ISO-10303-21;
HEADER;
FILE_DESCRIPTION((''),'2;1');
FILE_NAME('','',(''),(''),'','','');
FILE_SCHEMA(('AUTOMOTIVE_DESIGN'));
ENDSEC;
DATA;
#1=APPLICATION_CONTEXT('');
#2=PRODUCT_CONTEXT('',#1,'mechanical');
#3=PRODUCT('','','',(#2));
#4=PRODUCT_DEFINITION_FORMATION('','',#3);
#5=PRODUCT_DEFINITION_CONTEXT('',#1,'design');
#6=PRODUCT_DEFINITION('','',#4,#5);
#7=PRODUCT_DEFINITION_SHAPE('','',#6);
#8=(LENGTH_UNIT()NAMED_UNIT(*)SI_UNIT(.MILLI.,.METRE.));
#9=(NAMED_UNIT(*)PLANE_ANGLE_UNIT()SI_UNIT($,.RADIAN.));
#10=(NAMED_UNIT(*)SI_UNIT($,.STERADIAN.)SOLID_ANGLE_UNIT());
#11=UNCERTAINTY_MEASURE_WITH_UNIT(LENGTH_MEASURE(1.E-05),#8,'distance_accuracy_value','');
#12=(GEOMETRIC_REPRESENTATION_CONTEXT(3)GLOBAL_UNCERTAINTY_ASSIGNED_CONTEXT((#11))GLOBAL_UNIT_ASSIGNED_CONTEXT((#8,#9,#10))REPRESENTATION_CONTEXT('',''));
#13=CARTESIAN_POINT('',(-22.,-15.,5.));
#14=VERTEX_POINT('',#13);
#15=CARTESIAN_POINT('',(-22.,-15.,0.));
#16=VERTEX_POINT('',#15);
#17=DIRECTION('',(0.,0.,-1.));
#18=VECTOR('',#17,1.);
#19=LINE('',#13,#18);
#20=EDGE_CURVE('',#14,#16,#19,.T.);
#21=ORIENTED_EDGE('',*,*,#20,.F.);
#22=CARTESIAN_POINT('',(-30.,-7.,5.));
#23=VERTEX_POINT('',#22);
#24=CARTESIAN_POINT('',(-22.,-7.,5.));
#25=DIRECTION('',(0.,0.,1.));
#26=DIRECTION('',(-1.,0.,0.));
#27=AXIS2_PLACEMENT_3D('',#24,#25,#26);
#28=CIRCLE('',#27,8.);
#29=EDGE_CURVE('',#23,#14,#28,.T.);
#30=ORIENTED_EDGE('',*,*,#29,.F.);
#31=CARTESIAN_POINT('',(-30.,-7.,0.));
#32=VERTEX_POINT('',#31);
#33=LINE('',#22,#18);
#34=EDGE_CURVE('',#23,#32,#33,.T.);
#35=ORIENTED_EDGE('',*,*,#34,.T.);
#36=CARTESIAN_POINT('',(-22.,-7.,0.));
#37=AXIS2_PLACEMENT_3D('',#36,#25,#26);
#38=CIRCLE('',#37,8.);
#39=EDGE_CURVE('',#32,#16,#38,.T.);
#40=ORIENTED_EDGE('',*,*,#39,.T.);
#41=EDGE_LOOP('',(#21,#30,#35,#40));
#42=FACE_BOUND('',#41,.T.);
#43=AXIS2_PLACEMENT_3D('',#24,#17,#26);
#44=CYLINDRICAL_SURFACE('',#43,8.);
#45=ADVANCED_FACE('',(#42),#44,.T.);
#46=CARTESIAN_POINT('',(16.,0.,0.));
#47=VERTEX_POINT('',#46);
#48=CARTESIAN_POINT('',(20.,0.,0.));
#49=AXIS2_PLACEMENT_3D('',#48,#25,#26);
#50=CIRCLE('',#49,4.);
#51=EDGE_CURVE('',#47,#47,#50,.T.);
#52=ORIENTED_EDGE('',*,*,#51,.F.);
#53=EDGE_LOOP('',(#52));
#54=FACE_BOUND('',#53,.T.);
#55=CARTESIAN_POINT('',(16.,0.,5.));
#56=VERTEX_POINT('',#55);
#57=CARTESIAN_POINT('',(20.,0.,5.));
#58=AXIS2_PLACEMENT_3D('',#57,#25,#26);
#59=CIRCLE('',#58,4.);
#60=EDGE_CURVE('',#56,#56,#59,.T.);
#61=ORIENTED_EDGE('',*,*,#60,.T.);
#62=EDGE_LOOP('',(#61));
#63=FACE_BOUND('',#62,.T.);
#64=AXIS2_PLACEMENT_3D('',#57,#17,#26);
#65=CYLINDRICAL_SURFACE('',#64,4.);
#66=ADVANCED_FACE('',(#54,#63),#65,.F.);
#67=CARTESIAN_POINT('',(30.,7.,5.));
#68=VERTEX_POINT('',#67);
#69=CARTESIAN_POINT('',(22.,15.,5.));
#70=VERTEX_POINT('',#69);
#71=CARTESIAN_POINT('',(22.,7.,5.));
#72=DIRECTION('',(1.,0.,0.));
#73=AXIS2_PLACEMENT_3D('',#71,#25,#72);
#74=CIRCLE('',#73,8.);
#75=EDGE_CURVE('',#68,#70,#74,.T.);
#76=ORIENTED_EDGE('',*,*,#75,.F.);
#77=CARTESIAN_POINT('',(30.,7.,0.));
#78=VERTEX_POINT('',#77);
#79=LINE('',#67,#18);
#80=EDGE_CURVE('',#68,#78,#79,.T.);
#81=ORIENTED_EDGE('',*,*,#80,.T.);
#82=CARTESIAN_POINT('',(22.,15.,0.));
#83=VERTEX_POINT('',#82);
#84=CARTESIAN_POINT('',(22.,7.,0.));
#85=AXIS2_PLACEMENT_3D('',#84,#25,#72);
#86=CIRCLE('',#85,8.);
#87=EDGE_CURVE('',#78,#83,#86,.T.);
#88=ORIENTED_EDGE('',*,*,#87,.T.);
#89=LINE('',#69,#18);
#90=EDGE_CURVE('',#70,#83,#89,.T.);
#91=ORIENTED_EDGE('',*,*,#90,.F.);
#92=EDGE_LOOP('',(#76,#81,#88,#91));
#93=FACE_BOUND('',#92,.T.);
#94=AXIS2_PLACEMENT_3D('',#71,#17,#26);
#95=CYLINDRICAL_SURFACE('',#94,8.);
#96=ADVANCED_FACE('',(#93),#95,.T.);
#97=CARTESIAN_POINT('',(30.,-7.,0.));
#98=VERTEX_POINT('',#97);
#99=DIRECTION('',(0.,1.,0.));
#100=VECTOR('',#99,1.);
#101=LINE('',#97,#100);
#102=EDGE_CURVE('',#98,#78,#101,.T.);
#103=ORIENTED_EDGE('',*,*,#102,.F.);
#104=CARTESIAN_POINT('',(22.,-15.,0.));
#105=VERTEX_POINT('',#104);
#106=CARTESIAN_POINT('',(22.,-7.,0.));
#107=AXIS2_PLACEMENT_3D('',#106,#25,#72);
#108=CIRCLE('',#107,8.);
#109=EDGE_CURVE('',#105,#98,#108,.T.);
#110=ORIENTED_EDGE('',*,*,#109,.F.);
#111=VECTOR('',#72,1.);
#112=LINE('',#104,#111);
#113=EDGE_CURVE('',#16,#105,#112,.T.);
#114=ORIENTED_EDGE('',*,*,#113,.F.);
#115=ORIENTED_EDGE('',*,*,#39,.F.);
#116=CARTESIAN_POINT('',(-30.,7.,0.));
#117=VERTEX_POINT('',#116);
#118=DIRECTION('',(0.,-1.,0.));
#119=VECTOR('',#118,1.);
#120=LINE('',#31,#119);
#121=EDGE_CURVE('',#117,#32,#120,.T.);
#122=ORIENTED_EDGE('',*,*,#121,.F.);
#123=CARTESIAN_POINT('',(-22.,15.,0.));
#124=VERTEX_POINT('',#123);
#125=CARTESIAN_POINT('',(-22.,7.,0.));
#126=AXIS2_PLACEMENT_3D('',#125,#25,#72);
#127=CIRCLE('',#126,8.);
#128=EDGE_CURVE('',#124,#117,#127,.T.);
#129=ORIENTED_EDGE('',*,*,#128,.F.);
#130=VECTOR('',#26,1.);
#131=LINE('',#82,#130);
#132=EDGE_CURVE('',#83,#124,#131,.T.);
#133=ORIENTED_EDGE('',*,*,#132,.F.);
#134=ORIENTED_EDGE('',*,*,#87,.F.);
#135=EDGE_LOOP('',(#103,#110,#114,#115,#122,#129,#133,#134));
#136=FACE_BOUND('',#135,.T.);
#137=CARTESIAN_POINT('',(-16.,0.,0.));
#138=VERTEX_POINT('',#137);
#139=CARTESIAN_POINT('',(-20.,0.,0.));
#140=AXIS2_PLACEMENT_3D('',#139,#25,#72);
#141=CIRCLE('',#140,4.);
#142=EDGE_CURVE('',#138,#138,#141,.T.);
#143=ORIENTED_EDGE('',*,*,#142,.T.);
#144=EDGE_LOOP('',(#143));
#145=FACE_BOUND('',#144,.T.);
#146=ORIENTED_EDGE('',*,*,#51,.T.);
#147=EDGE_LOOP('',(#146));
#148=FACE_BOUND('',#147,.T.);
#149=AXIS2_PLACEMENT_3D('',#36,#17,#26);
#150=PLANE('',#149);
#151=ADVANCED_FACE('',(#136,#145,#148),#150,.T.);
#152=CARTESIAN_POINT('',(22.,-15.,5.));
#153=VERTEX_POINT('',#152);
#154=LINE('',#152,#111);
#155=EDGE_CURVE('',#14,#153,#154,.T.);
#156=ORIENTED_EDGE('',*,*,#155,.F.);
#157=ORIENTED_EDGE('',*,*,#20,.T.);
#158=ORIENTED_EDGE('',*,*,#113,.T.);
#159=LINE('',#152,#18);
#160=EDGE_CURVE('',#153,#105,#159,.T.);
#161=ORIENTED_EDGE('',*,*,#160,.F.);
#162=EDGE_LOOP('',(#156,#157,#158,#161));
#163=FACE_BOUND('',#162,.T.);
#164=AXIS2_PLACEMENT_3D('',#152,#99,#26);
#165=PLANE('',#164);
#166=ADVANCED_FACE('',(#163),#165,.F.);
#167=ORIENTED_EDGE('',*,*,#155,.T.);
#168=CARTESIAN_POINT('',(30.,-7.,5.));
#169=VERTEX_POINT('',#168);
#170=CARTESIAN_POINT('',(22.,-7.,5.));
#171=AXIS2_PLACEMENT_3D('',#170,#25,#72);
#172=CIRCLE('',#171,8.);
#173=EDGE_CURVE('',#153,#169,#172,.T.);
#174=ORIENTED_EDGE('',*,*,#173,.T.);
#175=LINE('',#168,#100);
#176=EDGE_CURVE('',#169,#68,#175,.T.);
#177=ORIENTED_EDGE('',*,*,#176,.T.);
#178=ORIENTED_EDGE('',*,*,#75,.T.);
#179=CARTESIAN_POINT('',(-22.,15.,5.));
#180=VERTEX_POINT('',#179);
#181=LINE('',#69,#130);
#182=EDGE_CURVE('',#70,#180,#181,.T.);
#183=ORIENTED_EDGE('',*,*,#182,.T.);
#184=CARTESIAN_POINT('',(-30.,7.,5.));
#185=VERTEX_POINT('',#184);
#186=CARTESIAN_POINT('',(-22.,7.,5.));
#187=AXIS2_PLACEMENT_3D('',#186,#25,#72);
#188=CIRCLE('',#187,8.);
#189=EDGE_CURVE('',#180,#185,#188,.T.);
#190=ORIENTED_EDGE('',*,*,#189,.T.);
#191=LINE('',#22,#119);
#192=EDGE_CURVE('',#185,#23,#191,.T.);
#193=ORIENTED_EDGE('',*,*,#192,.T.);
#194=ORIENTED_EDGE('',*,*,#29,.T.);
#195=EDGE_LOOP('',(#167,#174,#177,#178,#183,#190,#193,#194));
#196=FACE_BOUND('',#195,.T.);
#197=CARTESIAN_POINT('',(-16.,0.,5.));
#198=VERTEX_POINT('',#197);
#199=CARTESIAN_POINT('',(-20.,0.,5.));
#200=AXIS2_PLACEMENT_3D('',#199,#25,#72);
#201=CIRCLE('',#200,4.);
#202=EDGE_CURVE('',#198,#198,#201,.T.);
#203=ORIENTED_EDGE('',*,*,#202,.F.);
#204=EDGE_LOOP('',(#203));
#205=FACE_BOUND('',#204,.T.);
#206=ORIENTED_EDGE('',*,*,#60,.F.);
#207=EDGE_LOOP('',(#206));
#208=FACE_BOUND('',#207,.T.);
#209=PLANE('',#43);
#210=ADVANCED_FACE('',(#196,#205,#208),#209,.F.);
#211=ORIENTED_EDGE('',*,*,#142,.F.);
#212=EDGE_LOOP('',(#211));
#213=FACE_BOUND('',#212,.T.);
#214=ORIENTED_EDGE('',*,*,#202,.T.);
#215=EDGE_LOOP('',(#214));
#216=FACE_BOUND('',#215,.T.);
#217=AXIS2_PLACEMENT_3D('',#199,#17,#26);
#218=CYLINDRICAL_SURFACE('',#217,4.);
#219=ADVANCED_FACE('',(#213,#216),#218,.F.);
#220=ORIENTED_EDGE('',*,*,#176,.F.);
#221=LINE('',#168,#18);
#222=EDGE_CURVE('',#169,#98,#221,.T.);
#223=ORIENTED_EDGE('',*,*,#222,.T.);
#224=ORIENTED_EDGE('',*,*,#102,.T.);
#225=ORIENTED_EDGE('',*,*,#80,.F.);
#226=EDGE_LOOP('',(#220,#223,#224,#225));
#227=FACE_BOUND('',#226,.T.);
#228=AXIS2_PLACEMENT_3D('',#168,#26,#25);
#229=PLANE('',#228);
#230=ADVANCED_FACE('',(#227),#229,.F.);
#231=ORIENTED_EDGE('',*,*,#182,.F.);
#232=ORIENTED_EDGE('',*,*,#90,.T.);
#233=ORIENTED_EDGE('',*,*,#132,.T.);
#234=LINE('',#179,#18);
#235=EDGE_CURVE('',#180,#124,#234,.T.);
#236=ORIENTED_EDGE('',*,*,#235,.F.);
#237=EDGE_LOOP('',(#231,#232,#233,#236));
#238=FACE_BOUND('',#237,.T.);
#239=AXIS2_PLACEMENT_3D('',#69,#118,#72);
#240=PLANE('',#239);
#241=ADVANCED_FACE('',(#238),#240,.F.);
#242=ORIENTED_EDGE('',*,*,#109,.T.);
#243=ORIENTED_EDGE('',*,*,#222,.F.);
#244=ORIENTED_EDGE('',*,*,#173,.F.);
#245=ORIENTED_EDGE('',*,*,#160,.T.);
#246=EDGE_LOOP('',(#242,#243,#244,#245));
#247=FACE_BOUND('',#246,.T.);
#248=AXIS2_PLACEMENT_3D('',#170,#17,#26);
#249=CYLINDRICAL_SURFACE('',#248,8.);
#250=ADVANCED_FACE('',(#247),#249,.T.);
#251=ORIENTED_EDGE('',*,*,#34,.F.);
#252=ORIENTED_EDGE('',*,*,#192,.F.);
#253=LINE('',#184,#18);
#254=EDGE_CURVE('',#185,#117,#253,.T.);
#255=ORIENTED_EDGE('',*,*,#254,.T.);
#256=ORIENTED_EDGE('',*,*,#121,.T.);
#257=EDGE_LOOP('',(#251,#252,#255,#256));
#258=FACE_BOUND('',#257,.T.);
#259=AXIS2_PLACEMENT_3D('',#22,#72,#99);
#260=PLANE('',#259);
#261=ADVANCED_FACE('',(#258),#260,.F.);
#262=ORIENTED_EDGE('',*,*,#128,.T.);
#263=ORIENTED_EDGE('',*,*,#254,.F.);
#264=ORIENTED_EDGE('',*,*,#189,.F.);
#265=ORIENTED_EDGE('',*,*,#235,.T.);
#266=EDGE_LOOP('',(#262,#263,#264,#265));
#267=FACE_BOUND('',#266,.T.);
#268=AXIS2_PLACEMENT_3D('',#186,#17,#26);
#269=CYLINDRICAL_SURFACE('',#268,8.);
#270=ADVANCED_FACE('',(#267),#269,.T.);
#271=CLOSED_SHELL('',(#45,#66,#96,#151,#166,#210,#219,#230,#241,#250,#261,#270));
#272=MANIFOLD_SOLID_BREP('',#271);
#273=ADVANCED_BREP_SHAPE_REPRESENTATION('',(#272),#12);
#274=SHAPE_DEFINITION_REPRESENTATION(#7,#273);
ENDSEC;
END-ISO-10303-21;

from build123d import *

# Parameters (mm, degrees)
SKETCH1_R           = 4
BOSS_EXTRUDE1_DEPTH = 5


with BuildPart() as part:
    # Sketch1 → Boss-Extrude1 (new body)
    with BuildSketch(Plane.XY):
        with BuildLine():
            Line((22, -15), (-22, -15))
            ThreePointArc((-22, -15), (-27.656854249, -12.656854249), (-30, -7))
            Line((-30, -7), (-30, 7))
            ThreePointArc((-30, 7), (-27.656854249, 12.656854249), (-22, 15))
            Line((-22, 15), (22, 15))
            ThreePointArc((22, 15), (27.656854249, 12.656854249), (30, 7))
            Line((30, 7), (30, -7))
            ThreePointArc((30, -7), (27.656854249, -12.656854249), (22, -15))
        make_face()
        with Locations((-20, 0)):
            Circle(SKETCH1_R, mode=Mode.SUBTRACT)
        with Locations(Location((20, 0, 0), (0, 0, 180))):
            Circle(SKETCH1_R, mode=Mode.SUBTRACT)
    extrude(amount=BOSS_EXTRUDE1_DEPTH)


solid = part.part
